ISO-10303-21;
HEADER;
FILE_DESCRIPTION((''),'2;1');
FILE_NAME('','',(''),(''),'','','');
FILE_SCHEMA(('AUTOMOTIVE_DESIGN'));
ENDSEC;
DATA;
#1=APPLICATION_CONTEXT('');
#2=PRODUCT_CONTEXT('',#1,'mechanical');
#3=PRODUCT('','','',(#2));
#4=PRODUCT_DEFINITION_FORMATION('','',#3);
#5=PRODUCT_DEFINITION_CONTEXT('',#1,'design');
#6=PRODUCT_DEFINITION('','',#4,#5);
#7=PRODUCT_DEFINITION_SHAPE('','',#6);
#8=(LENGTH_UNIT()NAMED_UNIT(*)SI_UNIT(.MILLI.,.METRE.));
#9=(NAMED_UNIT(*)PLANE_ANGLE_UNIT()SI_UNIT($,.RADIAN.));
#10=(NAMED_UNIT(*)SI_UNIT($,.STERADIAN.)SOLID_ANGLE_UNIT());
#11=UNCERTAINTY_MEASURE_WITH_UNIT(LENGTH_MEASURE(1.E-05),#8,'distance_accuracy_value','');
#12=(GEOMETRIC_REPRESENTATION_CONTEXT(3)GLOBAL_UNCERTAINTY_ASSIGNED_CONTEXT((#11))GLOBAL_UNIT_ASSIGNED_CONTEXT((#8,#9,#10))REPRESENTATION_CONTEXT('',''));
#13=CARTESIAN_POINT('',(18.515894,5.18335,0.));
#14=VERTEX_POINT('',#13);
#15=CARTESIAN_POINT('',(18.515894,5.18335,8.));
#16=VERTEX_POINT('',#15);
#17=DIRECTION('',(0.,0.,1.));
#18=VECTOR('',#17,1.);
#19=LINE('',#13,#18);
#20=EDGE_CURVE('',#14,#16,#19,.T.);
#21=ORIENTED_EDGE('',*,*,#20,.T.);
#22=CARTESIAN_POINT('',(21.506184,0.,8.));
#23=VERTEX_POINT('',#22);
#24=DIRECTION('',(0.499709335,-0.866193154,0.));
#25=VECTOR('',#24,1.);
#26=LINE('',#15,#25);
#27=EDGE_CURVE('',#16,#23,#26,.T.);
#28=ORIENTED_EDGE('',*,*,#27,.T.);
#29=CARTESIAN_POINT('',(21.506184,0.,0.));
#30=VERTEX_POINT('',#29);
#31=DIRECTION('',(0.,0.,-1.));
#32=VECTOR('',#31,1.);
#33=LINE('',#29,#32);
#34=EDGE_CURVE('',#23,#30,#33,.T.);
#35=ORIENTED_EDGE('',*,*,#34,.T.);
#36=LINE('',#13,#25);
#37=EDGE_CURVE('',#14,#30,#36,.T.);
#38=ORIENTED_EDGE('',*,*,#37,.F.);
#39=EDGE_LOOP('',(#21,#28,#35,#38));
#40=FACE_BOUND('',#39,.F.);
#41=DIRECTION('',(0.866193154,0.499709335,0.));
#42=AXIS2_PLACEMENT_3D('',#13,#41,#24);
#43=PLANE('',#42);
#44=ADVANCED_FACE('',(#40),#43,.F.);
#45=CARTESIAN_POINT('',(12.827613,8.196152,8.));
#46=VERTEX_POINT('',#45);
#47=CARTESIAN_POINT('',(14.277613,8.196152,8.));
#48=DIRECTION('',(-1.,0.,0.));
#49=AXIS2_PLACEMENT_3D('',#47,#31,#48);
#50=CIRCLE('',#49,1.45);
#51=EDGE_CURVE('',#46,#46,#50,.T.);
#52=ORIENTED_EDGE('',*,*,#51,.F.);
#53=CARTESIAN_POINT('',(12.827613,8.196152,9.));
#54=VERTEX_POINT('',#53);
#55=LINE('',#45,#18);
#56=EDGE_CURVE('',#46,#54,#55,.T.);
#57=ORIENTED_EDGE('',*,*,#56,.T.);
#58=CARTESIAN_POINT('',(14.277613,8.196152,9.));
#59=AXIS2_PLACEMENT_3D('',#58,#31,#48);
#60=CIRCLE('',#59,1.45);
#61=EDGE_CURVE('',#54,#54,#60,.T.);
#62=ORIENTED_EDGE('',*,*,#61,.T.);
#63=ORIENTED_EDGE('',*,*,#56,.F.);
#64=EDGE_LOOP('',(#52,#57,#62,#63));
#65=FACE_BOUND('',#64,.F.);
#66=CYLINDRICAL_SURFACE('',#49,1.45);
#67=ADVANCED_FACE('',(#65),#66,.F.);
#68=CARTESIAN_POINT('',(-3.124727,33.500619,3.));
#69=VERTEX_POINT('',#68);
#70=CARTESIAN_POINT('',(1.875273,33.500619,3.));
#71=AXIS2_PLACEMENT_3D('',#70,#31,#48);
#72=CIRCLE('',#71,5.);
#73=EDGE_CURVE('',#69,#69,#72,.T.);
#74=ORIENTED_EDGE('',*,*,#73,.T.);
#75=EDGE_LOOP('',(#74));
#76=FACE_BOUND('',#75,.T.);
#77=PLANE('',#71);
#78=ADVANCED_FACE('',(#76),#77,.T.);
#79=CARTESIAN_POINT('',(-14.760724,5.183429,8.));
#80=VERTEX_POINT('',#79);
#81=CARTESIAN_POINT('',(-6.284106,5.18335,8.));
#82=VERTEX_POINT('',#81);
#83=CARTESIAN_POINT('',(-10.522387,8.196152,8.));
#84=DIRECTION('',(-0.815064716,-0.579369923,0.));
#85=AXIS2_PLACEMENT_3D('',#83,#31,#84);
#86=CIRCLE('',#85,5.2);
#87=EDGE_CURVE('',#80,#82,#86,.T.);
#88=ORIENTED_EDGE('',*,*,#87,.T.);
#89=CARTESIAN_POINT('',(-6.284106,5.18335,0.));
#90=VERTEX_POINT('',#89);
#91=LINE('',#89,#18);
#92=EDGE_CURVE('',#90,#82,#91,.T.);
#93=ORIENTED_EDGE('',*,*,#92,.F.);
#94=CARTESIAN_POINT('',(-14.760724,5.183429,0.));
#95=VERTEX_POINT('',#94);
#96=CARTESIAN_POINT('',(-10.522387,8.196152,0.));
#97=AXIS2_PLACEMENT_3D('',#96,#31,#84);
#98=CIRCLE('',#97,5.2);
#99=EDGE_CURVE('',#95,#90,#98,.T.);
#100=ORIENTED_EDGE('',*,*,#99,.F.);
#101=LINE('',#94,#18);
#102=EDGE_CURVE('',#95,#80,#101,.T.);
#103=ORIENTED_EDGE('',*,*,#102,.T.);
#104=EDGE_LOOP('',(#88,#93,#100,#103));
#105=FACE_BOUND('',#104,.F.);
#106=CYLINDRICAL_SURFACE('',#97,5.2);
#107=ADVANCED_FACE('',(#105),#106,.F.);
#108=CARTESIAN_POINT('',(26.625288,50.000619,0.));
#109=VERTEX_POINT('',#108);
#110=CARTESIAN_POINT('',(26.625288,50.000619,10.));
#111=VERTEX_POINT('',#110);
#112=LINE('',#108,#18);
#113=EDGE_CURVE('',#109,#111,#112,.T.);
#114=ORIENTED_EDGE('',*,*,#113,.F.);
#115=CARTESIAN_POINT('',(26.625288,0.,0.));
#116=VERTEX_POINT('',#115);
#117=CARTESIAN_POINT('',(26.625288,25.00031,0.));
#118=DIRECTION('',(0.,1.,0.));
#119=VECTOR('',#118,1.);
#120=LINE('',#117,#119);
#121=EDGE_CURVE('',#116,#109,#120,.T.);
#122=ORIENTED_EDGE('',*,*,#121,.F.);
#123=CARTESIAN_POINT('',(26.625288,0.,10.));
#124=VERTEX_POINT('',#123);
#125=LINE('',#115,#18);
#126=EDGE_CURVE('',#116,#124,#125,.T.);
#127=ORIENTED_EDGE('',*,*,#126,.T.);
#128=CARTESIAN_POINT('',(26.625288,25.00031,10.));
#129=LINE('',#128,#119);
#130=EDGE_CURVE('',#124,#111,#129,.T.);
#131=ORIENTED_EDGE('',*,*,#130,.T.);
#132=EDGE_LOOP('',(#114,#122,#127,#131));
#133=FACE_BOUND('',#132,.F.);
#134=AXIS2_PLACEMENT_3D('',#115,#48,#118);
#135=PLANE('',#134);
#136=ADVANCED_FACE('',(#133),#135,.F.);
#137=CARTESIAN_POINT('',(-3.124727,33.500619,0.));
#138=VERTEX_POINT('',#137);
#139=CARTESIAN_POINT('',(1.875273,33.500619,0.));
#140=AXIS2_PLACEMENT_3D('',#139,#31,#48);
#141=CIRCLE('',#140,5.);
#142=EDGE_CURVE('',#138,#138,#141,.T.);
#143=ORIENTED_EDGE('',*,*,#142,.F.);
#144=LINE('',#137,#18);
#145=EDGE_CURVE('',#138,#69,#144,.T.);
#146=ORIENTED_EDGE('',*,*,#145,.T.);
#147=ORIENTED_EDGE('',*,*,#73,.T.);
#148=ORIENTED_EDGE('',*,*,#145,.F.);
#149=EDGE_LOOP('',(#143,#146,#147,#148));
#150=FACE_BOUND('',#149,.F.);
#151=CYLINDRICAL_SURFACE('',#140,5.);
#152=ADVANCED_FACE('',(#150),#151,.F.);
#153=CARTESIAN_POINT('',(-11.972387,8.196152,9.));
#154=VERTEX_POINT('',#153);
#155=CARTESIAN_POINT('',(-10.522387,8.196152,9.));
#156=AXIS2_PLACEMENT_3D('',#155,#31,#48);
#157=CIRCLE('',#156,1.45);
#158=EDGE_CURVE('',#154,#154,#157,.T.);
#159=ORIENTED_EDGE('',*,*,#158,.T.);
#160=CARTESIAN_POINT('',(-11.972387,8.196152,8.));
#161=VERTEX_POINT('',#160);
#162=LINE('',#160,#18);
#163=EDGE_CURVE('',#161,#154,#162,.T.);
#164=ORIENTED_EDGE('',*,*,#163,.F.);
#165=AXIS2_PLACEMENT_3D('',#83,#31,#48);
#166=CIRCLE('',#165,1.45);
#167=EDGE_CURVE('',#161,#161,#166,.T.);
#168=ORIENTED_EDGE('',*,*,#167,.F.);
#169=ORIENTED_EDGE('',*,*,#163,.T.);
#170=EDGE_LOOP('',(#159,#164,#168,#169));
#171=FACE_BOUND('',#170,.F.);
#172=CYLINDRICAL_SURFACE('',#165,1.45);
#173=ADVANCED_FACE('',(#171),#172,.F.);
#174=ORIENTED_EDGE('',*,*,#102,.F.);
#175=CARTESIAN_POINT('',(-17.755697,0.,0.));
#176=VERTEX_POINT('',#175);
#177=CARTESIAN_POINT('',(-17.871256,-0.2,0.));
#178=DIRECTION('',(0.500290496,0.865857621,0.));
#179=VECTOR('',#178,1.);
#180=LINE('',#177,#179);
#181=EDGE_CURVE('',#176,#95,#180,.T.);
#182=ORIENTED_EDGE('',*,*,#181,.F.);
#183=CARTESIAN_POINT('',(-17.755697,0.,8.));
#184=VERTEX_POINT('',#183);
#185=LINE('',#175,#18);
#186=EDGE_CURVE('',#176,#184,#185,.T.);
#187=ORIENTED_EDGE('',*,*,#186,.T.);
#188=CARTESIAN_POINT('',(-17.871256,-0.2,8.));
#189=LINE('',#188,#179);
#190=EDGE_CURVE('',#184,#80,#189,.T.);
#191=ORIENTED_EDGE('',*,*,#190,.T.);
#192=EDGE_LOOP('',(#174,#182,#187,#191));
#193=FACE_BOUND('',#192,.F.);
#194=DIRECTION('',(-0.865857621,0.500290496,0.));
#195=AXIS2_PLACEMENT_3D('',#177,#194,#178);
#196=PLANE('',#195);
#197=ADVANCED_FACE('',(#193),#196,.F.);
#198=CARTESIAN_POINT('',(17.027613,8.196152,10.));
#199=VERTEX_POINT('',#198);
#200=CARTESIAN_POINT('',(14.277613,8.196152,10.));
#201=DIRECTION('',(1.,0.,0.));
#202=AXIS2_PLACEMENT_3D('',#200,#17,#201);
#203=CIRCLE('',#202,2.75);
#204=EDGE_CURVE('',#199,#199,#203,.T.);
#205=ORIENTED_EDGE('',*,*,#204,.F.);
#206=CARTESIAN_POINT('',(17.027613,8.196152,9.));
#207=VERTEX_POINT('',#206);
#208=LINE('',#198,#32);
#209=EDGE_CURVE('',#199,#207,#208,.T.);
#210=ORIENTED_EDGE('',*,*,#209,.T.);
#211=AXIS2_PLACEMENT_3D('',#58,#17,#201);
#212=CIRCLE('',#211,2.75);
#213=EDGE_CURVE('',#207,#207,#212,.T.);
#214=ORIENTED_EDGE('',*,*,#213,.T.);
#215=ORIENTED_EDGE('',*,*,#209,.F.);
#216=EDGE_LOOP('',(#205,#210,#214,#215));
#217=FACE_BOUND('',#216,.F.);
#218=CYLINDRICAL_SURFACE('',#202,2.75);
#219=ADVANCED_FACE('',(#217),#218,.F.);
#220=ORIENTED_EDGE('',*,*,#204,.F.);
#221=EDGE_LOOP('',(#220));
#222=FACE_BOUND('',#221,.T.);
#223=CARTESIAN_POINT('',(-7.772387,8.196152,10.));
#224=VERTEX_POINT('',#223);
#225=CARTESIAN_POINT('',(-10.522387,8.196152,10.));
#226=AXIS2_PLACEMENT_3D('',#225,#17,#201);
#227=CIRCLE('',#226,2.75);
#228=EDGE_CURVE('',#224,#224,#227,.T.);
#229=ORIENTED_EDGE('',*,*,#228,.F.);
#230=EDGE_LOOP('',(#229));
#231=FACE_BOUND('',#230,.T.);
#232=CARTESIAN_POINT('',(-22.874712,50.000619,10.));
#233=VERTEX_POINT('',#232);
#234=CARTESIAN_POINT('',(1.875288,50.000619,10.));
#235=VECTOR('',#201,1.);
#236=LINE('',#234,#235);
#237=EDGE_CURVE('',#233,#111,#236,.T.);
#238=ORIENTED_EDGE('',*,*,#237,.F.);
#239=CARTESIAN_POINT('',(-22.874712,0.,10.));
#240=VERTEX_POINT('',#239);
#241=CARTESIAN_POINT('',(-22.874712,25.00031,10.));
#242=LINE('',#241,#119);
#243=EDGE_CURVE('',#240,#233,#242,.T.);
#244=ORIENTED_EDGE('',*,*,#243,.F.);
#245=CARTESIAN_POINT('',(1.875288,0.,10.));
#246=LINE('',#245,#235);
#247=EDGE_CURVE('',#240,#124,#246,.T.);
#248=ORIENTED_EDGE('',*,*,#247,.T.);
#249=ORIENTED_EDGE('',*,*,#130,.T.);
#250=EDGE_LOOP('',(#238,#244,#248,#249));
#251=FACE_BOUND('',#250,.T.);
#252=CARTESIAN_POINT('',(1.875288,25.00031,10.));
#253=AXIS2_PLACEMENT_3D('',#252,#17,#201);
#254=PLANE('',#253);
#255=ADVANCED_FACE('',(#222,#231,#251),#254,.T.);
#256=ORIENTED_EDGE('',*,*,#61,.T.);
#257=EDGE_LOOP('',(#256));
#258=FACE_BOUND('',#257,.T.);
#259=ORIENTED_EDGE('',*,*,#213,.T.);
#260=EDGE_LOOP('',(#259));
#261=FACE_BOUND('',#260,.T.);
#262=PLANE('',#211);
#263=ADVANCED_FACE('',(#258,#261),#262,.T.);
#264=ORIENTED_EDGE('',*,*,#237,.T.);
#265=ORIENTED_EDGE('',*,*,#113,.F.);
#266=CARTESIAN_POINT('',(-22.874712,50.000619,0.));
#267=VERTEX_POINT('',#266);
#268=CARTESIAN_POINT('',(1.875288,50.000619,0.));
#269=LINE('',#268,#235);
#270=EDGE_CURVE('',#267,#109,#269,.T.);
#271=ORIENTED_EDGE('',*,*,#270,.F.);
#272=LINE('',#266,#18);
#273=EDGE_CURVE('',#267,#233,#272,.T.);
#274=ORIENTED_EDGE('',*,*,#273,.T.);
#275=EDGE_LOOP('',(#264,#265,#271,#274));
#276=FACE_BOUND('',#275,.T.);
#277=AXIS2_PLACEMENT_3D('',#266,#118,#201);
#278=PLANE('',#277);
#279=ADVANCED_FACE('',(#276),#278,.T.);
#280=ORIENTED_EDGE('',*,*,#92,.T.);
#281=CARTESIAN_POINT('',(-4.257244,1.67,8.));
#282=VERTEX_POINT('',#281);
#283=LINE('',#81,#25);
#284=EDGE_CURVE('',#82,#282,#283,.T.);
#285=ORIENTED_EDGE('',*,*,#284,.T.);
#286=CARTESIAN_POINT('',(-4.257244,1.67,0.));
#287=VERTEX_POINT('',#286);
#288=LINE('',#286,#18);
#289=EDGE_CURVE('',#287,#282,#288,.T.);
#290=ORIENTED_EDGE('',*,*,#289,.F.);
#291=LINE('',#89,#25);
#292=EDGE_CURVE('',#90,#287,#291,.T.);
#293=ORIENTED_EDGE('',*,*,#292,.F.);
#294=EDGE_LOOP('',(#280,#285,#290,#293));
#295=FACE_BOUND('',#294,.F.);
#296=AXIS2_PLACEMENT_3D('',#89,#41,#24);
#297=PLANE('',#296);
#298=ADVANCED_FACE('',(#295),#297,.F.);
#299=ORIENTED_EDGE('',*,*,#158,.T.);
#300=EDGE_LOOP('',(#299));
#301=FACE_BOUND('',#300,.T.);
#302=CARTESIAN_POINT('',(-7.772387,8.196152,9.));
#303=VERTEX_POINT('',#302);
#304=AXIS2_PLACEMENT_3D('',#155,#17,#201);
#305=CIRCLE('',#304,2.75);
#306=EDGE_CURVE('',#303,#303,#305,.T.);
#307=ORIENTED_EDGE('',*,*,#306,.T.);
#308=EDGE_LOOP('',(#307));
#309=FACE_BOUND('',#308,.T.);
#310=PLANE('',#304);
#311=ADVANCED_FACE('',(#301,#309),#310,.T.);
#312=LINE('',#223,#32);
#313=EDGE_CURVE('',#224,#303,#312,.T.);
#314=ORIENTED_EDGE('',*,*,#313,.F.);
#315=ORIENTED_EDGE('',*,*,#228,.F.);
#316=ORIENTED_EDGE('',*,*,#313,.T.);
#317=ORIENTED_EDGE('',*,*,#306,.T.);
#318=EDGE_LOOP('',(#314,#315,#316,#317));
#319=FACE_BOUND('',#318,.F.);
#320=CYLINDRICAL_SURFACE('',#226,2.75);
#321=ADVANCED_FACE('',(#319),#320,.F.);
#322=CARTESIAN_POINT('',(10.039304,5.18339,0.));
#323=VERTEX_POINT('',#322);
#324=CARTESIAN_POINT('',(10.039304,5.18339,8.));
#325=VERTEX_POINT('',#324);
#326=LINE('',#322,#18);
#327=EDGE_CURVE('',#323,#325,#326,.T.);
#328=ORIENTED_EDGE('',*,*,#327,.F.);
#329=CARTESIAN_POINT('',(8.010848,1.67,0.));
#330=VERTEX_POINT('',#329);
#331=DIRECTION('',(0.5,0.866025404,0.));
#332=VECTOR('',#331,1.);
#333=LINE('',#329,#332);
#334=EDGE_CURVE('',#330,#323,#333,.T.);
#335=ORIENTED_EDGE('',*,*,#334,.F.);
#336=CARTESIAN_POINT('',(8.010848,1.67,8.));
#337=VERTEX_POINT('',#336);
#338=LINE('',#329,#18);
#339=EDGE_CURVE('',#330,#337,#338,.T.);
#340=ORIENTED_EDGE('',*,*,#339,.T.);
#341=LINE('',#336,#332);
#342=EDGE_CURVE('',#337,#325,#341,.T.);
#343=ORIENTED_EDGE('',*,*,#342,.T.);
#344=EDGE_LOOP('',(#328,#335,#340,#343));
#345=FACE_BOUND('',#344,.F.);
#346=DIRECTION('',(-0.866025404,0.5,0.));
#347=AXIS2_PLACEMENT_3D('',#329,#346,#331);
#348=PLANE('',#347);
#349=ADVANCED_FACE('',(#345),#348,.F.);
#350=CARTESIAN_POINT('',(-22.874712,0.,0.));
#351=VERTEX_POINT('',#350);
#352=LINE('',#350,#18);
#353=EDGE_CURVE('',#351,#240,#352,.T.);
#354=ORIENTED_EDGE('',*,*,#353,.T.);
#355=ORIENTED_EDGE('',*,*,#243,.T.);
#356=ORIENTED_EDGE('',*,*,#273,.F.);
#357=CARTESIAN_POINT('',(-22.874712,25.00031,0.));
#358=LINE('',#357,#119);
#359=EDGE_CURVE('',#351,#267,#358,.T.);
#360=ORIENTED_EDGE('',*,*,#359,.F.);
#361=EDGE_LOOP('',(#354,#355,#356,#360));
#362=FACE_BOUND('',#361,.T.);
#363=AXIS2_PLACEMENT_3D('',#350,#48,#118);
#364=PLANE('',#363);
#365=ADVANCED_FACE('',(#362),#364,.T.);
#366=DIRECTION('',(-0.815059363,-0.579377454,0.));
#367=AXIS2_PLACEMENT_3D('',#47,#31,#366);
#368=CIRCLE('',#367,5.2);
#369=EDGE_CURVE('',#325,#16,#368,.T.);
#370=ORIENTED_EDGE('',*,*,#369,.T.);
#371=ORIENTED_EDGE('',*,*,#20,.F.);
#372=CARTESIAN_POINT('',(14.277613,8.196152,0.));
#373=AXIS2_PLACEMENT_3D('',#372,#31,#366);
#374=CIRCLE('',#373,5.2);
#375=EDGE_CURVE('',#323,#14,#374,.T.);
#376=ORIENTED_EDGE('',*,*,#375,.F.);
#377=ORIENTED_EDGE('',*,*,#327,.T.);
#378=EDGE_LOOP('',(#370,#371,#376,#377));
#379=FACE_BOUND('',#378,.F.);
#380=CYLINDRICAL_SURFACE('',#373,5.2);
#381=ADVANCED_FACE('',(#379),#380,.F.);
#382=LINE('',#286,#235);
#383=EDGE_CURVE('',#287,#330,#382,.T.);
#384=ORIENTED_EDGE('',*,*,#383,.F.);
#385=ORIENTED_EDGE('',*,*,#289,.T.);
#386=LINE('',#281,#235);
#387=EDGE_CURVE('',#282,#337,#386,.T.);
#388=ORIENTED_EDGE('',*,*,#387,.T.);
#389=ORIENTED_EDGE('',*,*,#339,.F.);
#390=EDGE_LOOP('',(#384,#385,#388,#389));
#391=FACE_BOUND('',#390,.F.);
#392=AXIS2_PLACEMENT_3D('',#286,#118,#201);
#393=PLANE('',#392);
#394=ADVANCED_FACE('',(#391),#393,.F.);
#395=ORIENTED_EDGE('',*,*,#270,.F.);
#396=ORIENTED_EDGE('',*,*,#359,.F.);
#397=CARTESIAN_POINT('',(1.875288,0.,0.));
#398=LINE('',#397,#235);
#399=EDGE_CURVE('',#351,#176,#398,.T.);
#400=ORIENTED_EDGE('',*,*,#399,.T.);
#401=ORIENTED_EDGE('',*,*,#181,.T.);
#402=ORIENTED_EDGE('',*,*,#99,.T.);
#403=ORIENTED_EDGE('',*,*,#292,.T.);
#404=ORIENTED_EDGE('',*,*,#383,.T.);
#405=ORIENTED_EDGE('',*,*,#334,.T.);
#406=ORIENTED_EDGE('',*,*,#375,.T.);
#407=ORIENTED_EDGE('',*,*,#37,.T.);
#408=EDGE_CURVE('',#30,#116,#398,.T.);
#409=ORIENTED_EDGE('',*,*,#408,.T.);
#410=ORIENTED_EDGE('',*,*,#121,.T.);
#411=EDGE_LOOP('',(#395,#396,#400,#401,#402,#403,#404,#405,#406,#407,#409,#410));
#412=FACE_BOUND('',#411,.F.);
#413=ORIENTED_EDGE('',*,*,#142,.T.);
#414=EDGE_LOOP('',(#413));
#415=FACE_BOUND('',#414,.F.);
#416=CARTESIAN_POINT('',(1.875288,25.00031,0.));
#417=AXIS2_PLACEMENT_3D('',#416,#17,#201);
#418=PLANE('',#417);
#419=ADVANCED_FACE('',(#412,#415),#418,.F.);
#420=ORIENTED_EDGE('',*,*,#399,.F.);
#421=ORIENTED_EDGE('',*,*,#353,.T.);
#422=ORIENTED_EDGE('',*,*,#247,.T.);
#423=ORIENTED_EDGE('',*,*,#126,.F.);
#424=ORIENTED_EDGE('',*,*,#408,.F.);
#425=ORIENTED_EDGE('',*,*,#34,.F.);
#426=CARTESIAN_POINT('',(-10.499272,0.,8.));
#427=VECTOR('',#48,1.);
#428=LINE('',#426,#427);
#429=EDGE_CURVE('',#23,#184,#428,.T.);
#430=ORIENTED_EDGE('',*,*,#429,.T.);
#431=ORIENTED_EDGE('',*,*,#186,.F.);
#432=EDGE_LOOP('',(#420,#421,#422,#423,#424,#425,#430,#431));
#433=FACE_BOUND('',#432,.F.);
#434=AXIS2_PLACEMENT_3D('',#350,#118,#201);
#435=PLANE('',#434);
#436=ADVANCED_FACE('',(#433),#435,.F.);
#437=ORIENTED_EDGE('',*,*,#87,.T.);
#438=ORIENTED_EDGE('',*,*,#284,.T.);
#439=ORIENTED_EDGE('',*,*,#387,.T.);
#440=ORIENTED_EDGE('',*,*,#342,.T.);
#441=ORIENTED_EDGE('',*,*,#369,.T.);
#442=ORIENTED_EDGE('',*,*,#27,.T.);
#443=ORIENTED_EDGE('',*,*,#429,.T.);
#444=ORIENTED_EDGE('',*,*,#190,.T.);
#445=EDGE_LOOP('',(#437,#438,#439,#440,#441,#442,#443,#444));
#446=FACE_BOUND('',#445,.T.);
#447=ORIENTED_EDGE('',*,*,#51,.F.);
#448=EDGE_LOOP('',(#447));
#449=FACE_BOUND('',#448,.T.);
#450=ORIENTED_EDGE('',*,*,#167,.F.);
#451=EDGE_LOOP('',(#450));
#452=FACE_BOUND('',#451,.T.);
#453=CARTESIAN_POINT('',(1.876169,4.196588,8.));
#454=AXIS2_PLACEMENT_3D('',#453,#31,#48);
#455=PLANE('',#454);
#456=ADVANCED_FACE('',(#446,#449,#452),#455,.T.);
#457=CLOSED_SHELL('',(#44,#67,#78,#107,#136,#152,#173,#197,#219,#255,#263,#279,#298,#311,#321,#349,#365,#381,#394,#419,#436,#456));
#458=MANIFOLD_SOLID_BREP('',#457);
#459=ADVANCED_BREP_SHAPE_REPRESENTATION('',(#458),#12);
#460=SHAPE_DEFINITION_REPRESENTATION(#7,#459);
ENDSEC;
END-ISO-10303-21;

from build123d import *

# Parameters (mm, degrees)
SKETCH1_W           = 49.5
SKETCH1_H           = 50.000619057
BOSS_EXTRUDE1_DEPTH = 10
CUT_EXTRUDE1_DEPTH  = 8
SKETCH4_R           = 1.45
CUT_EXTRUDE2_DEPTH  = 8
SKETCH5_R           = 2.75
CUT_EXTRUDE3_DEPTH  = 1
SKETCH6_R           = 5
CUT_EXTRUDE4_DEPTH  = 3


with BuildPart() as part:
    # Sketch1 → Boss-Extrude1 (new body)
    with BuildSketch(Plane.XY):
        with Locations((1.875288206, 25.000309529)):
            Rectangle(SKETCH1_W, SKETCH1_H)
    extrude(amount=BOSS_EXTRUDE1_DEPTH)

    # Sketch3 → Cut-Extrude1 (cut)
    with BuildSketch(Plane(origin=(0, 0, 0), x_dir=(-1, 0, 0), z_dir=(0, 0, -1))):
        with BuildLine():
            Line((17.871256182, -0.2), (14.760723675, 5.183428821))
            ThreePointArc((14.760723675, 5.183428821), (10.522339102, 13.396152422), (6.2841063, 5.183350498))
            Line((6.2841063, 5.183350498), (4.25724424, 1.67))
            Line((4.25724424, 1.67), (-8.010847692, 1.67))
            Line((-8.010847692, 1.67), (-10.03930416, 5.183389663))
            ThreePointArc((-10.03930416, 5.183389663), (-14.277636876, 13.396152423), (-18.5158937, 5.183350498))
            Line((-18.5158937, 5.183350498), (-21.621564167, -0.2))
            Line((-21.621564167, -0.2), (17.871256182, -0.2))
        make_face()
    extrude(amount=-CUT_EXTRUDE1_DEPTH, mode=Mode.SUBTRACT)

    # Sketch4 → Cut-Extrude2 (cut)
    with BuildSketch(Plane(origin=(0, 0, 8), x_dir=(-1, 0, 0), z_dir=(0, 0, -1))):
        with Locations((-14.27761285, 8.196152423)):
            Circle(SKETCH4_R)
        with Locations((10.52238715, 8.196152423)):
            Circle(SKETCH4_R)
    extrude(amount=-CUT_EXTRUDE2_DEPTH, mode=Mode.SUBTRACT)

    # Sketch5 → Cut-Extrude3 (cut)
    with BuildSketch(Plane.XY.offset(10)):
        with Locations((-10.52238715, 8.196152423)):
            Circle(SKETCH5_R)
        with Locations((14.27761285, 8.196152423)):
            Circle(SKETCH5_R)
    extrude(amount=-CUT_EXTRUDE3_DEPTH, mode=Mode.SUBTRACT)

    # Sketch6 → Cut-Extrude4 (cut)
    with BuildSketch(Plane(origin=(0, 0, 0), x_dir=(-1, 0, 0), z_dir=(0, 0, -1))):
        with Locations((-1.875273442, 33.500619057)):
            Circle(SKETCH6_R)
    extrude(amount=-CUT_EXTRUDE4_DEPTH, mode=Mode.SUBTRACT)


solid = part.part
